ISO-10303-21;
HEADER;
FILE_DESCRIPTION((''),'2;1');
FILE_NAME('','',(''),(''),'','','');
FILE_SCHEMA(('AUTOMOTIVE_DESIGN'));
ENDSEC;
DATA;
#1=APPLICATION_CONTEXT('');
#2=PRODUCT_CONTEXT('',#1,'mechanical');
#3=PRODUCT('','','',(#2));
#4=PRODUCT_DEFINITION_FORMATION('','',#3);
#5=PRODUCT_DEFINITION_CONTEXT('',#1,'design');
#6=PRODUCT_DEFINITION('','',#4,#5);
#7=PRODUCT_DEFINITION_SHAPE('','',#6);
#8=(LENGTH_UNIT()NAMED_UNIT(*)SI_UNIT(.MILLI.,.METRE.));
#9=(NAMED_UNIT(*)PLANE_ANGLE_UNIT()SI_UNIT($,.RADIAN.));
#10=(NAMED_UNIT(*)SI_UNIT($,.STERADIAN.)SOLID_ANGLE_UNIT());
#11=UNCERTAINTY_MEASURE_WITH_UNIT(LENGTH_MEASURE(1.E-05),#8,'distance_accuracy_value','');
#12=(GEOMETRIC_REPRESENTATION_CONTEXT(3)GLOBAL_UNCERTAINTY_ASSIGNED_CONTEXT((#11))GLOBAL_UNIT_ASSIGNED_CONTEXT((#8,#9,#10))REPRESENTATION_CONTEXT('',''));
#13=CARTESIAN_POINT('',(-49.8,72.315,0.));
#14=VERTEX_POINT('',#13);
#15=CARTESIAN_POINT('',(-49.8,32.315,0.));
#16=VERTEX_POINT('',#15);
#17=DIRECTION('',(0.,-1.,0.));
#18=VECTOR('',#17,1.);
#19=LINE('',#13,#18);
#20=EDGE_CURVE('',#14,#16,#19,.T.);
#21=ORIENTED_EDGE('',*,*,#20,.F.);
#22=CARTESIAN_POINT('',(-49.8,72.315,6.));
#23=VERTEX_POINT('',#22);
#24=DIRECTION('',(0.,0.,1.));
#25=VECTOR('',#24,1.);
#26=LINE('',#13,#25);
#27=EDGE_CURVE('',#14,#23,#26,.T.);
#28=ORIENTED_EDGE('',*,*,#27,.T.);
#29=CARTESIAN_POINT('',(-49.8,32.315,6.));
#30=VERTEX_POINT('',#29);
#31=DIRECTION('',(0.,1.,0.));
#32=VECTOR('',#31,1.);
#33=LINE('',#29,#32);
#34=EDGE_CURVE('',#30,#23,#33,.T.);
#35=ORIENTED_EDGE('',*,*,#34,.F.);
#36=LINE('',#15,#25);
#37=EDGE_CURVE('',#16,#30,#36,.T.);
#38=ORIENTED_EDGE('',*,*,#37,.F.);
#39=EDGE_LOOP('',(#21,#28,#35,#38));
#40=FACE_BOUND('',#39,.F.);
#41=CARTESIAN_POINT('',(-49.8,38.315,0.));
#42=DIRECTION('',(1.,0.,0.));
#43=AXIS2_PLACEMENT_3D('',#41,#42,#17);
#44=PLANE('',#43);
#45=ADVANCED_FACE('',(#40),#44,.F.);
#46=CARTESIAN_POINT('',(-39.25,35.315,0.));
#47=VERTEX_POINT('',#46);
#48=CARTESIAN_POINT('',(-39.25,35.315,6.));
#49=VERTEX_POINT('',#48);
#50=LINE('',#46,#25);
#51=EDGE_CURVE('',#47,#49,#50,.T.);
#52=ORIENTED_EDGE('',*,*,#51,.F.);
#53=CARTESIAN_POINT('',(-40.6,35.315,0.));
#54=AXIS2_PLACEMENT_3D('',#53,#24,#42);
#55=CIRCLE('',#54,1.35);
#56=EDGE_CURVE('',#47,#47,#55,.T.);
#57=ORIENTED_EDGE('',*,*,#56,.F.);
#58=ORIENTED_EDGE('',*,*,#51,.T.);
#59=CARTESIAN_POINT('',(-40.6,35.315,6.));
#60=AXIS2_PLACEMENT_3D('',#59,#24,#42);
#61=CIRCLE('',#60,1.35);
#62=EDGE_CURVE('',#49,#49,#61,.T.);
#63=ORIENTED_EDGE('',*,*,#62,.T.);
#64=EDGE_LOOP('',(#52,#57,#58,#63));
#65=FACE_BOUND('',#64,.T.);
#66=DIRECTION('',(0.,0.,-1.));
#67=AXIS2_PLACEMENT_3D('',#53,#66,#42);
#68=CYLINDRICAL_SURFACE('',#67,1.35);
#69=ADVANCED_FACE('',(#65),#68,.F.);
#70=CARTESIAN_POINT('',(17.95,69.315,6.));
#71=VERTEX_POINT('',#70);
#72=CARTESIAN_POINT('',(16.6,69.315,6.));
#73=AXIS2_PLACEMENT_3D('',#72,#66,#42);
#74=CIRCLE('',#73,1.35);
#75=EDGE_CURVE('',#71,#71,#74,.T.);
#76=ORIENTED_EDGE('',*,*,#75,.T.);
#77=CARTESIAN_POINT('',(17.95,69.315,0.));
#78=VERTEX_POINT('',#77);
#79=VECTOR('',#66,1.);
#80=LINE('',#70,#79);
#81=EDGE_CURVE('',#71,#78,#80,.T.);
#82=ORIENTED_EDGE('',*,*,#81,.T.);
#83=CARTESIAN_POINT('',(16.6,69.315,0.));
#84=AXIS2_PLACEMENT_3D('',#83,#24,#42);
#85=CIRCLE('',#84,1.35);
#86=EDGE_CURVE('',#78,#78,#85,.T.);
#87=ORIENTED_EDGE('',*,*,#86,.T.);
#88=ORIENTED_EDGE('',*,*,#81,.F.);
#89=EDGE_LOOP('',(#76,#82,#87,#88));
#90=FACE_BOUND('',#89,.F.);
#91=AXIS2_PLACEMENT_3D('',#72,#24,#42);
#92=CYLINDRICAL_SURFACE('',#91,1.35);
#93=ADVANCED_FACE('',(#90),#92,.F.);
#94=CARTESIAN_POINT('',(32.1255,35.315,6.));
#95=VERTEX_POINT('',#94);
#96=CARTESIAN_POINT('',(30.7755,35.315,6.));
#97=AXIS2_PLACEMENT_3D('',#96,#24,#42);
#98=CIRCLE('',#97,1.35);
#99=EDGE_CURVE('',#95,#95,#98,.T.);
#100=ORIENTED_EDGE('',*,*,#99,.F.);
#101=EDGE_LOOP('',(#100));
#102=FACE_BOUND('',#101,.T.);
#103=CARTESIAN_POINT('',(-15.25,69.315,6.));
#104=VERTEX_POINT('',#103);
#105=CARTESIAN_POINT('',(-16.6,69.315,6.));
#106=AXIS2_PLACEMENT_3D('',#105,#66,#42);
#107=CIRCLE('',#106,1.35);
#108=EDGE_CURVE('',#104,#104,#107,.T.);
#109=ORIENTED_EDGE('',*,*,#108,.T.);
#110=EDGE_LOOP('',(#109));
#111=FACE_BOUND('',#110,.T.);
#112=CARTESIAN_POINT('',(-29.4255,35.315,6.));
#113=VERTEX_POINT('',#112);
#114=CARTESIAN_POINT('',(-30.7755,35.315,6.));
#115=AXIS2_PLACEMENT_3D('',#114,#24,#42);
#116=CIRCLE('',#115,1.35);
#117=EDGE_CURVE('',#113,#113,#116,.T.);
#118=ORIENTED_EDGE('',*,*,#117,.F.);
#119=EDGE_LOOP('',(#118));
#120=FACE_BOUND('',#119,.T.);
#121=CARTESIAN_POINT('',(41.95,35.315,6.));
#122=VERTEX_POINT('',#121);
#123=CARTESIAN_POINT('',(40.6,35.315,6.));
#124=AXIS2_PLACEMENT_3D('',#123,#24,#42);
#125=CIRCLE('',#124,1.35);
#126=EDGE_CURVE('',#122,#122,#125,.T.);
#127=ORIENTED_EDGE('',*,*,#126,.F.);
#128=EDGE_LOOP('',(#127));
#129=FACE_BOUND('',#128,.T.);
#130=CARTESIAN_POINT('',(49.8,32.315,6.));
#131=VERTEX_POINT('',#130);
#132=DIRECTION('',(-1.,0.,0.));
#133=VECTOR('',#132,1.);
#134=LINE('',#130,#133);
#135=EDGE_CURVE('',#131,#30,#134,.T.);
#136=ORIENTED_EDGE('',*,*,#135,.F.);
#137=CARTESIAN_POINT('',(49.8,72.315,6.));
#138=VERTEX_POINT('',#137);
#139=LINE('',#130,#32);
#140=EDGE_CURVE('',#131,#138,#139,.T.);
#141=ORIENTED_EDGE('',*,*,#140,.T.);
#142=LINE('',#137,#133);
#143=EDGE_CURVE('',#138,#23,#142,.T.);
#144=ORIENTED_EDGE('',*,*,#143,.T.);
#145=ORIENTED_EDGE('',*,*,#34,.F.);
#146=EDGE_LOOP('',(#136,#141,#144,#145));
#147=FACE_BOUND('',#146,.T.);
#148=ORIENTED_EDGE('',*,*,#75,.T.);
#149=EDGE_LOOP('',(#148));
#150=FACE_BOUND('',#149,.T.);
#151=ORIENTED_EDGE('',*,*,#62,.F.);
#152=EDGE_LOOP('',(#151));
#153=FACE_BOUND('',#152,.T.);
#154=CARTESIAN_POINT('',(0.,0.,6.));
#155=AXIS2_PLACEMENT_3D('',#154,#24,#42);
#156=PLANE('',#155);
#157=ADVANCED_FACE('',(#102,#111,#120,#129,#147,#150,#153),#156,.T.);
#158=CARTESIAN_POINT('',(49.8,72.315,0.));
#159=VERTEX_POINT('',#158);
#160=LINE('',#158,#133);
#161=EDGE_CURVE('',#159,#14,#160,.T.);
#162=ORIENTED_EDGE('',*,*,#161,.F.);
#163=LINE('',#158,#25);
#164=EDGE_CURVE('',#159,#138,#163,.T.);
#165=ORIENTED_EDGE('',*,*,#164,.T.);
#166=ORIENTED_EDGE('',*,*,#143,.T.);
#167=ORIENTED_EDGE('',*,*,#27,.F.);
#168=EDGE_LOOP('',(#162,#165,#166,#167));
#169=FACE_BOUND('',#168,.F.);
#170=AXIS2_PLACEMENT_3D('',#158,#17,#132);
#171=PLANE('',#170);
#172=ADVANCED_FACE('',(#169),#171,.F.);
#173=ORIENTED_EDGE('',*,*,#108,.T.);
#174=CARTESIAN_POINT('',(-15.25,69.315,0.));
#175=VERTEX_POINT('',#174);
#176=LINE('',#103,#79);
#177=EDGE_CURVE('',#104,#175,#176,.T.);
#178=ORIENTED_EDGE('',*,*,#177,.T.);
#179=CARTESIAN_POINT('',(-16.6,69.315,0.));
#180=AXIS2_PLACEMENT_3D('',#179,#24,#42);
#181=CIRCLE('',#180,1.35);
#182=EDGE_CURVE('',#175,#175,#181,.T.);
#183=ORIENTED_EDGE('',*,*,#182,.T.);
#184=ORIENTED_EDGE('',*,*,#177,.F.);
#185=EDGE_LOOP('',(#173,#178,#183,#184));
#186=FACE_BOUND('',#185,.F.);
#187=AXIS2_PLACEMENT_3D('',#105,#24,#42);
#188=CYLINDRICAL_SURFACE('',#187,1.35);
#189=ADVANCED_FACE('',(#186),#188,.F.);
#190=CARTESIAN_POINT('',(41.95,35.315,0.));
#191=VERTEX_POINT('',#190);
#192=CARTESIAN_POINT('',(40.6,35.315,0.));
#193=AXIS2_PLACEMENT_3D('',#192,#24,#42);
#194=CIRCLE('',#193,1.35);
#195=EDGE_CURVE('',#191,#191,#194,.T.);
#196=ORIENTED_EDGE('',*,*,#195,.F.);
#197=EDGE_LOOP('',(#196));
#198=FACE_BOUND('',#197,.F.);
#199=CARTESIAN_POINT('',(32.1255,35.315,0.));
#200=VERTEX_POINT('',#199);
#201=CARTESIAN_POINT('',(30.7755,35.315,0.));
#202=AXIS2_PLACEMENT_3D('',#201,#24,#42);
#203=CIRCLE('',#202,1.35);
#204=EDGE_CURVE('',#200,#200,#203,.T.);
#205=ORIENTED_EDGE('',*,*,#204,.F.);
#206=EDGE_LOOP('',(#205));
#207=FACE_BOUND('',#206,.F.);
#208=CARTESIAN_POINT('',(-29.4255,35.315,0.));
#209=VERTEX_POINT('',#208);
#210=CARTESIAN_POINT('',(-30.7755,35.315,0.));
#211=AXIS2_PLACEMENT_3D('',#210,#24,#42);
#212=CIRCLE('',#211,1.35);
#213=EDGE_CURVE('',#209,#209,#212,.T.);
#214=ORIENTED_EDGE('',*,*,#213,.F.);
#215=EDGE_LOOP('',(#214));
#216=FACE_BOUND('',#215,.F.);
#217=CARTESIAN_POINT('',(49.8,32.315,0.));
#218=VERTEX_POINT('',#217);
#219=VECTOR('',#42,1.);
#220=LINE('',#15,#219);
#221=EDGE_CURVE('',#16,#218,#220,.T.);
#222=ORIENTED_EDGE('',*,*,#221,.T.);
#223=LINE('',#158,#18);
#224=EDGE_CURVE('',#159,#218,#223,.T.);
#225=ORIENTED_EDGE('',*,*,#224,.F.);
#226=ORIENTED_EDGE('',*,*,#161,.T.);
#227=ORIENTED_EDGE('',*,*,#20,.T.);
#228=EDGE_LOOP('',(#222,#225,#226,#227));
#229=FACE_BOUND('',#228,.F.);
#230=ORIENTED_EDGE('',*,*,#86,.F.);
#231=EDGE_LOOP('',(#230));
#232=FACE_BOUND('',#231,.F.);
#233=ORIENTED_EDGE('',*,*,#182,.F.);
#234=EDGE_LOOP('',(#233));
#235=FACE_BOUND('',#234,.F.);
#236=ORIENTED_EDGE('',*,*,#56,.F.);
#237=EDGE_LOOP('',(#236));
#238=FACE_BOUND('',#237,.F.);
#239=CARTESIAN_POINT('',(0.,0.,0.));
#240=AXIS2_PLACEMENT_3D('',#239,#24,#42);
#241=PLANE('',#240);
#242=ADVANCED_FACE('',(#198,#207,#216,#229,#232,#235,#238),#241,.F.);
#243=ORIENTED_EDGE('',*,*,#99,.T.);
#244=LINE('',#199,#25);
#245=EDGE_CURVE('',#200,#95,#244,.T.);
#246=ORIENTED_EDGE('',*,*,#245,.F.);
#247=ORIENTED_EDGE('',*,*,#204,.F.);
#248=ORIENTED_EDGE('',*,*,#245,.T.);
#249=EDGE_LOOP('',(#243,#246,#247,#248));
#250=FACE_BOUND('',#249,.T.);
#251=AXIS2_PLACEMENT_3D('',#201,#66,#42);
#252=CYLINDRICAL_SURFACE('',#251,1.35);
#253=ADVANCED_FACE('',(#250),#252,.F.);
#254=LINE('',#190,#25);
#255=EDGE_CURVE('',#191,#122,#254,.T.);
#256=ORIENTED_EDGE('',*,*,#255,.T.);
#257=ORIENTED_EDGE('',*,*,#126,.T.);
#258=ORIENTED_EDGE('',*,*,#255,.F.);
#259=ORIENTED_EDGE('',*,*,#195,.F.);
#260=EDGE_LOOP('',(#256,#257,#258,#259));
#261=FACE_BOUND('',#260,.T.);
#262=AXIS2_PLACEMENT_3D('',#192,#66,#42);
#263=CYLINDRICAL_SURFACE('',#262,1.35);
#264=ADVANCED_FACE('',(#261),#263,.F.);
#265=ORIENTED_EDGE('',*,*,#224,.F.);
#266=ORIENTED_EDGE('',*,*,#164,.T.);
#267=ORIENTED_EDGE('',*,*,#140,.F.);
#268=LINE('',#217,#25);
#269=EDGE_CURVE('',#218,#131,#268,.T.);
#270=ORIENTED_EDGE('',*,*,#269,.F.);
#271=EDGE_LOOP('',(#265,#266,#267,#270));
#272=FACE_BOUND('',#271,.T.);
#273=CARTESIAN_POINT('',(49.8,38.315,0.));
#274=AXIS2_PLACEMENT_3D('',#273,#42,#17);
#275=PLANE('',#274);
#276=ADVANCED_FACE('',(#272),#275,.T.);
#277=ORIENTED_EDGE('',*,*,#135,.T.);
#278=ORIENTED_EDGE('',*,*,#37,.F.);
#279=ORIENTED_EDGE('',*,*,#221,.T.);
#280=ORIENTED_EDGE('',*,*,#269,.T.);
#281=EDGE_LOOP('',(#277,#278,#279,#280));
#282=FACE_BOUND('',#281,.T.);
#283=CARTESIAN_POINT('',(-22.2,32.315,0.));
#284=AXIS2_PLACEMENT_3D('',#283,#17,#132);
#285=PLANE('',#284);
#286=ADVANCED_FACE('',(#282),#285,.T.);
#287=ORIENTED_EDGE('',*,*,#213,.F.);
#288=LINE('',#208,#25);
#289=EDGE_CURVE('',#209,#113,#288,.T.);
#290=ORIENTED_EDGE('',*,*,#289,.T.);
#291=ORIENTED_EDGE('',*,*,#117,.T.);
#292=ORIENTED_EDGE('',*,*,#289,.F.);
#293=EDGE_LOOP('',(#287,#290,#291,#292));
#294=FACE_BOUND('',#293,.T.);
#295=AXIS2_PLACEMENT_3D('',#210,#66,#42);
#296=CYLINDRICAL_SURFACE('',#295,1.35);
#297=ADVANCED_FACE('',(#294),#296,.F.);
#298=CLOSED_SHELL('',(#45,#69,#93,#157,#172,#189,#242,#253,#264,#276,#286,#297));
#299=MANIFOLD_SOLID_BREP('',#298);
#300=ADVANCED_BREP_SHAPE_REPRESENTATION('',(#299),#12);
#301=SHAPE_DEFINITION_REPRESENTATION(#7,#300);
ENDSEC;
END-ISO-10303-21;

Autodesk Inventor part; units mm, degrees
ref_plane "YZ Plane" through (0, 0, 0) normal (1, 0, 0) x (0, 1, 0)
ref_plane "XZ Plane" through (0, 0, 0) normal (0, 1, 0) x (-1, 0, 0)
ref_plane "XY Plane" through (0, 0, 0) normal (0, 0, 1) x (1, 0, 0)
ref_plane "작업 평면1" through (0, 0, -13) normal (0, 0, 1) x (1, 0, 0)
ref_plane "작업 평면2" through (0, 0, 0) normal (0, 0, 1) x (1, 0, 0)
sketch "스케치2" plane through (0, 0, 0) normal (0, 0, 1) x (1, 0, 0)
  circle A0 centre (-40.6, 35.315) radius 1.35 projected
  circle A1 centre (-30.7755, 35.315) radius 1.35 projected
  line L0 (-22.2, 38.315) -> (-49.8, 38.315) projected
  line L1 (-49.8, 38.315) -> (-49.8, 32.315) projected
  line L2 (-22.2, 32.315) -> (-49.8, 32.315) projected
  line L3 (-22.2, 38.315) -> (-22.2, 32.315) projected
  circle A2 centre (40.6, 35.315) radius 1.35 projected
  circle A3 centre (30.7755, 35.315) radius 1.35 projected
  line L4 (22.2, 38.315) -> (49.8, 38.315) projected
  line L5 (22.2, 38.315) -> (22.2, 32.315) projected
  line L6 (22.2, 32.315) -> (49.8, 32.315) projected
  line L7 (49.8, 38.315) -> (49.8, 32.315) projected
  line L8 (-49.8, 32.315) -> (49.8, 32.315)
  line L9 (49.8, 32.315) -> (49.8, 72.315)
  line L10 (49.8, 72.315) -> (-49.8, 72.315)
  line L11 (-49.8, 72.315) -> (-49.8, 32.315)
  point P0 (0, 0)
  dimension "d3" = 40
extrude "돌출2" add sketch "스케치2" along normal blind 6
sketch "스케치3" plane through (0, 0, 6) normal (0, 0, 1) x (1, 0, 0)
  line L0 (-49.8, 32.315) -> (49.8, 32.315) projected
  line L1 (49.8, 32.315) -> (49.8, 72.315) projected
  line L2 (49.8, 72.315) -> (-49.8, 72.315) projected
  line L3 (-49.8, 72.315) -> (-49.8, 32.315) projected
  circle A0 centre (40.6, 35.315) radius 1.35 projected
  circle A1 centre (30.7755, 35.315) radius 1.35 projected
  circle A2 centre (-40.6, 35.315) radius 1.35 projected
  circle A3 centre (-30.7755, 35.315) radius 1.35 projected
  line L4 (46.167, 64.315) -> (-44.5, 64.315) projected
  line L5 (49.5, 64.315) -> (46.167, 64.315) projected
  line L6 (-51.5, 64.315) -> (-44.5, 64.315) projected
  line L7 (-49.8, 72.315) -> (-49.8, 66.315)
  line L8 (-49.8, 66.315) -> (49.8, 66.315)
  line L9 (49.8, 66.315) -> (49.8, 72.315)
  line L10 (49.8, 72.315) -> (-49.8, 72.315)
  line L11 (49.8, 72.315) -> (16.6, 72.315)
  line L12 (16.6, 72.315) -> (-16.6, 72.315)
  line L13 (-16.6, 72.315) -> (-16.6, 66.315)
  line L14 (16.6, 72.315) -> (16.6, 66.315)
  circle A4 centre (16.6, 69.315) radius 1.35
  circle A5 centre (-16.6, 69.315) radius 1.35
  point P0 (0, 0)
  point P1 (0, 72.315)
  dimension "d6" = 6
  dimension "d7" = 33.2
  dimension "d8" = 33.2
  dimension "d9" = 2.7
  dimension "d10" = 2.7
extrude "돌출3" cut sketch "스케치3" against normal blind 6 contours A4 L14 | L14 A4 | A5 L13 | L13 A5
properties part number "_battery_adt"
